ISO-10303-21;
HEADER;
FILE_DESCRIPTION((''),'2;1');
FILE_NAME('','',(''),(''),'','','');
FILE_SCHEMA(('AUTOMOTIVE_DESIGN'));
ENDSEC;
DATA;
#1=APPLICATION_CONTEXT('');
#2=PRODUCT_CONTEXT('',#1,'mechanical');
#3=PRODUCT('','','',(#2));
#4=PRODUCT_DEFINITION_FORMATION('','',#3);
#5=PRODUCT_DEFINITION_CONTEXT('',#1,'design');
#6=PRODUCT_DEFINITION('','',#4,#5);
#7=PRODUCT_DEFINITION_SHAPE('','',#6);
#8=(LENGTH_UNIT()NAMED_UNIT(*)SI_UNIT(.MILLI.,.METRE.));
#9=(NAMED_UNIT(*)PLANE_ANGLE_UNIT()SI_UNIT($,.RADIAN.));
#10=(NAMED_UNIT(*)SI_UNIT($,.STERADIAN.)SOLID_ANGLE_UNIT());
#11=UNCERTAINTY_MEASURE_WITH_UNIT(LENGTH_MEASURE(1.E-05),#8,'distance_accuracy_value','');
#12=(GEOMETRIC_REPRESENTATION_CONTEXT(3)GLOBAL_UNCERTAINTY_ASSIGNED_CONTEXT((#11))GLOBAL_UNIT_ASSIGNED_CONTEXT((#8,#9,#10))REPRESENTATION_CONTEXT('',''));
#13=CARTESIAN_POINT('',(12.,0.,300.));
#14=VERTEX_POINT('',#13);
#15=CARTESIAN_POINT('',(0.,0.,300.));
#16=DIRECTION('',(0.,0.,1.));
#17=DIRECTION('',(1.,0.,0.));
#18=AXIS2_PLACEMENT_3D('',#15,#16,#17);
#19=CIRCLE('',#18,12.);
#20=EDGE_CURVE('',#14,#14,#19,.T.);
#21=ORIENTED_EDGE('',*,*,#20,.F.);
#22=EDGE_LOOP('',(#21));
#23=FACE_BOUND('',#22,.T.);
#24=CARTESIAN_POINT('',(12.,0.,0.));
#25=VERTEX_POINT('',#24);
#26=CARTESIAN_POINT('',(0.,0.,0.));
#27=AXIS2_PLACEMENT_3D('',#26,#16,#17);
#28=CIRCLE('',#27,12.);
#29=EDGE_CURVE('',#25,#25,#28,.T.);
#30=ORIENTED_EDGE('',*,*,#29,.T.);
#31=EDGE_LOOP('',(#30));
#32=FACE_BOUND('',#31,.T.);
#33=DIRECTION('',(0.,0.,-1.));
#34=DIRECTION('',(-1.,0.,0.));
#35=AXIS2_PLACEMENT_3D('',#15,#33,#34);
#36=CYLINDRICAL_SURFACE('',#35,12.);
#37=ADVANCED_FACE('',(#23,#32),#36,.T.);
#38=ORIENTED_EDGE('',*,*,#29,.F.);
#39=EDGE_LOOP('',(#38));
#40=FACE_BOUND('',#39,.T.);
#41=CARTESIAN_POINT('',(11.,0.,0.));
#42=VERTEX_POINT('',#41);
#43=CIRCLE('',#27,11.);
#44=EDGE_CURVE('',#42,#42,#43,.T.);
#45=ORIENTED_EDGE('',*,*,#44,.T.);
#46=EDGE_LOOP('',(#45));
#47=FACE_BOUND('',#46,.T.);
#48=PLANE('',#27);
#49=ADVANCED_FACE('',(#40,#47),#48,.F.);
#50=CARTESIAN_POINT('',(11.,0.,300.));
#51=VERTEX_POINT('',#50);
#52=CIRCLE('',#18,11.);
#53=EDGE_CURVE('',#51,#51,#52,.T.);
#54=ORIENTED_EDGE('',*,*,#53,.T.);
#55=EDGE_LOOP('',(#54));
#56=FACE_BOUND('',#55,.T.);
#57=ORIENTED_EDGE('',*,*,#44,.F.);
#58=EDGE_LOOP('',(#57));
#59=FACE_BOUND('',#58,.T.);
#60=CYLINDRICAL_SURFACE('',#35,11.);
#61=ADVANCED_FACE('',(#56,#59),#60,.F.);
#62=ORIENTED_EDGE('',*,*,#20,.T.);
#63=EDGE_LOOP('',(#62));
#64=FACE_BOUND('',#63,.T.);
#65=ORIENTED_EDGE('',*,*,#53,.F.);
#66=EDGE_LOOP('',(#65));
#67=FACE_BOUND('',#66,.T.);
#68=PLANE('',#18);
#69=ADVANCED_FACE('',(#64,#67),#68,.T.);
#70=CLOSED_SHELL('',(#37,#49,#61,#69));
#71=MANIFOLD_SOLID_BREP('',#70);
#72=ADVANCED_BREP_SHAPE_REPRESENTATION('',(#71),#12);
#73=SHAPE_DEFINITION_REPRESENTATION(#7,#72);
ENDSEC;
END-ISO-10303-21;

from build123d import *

# Parameters (mm, degrees)
ESQUISSE1_R        = 12
ESQUISSE1_R_2      = 11
BOSS_EXTRU_1_DEPTH = 300


with BuildPart() as part:
    # Esquisse1 → Boss.-Extru.1 (new body)
    with BuildSketch(Plane.XY):
        Circle(ESQUISSE1_R)
        Circle(ESQUISSE1_R_2, mode=Mode.SUBTRACT)
    extrude(amount=BOSS_EXTRU_1_DEPTH)


solid = part.part
